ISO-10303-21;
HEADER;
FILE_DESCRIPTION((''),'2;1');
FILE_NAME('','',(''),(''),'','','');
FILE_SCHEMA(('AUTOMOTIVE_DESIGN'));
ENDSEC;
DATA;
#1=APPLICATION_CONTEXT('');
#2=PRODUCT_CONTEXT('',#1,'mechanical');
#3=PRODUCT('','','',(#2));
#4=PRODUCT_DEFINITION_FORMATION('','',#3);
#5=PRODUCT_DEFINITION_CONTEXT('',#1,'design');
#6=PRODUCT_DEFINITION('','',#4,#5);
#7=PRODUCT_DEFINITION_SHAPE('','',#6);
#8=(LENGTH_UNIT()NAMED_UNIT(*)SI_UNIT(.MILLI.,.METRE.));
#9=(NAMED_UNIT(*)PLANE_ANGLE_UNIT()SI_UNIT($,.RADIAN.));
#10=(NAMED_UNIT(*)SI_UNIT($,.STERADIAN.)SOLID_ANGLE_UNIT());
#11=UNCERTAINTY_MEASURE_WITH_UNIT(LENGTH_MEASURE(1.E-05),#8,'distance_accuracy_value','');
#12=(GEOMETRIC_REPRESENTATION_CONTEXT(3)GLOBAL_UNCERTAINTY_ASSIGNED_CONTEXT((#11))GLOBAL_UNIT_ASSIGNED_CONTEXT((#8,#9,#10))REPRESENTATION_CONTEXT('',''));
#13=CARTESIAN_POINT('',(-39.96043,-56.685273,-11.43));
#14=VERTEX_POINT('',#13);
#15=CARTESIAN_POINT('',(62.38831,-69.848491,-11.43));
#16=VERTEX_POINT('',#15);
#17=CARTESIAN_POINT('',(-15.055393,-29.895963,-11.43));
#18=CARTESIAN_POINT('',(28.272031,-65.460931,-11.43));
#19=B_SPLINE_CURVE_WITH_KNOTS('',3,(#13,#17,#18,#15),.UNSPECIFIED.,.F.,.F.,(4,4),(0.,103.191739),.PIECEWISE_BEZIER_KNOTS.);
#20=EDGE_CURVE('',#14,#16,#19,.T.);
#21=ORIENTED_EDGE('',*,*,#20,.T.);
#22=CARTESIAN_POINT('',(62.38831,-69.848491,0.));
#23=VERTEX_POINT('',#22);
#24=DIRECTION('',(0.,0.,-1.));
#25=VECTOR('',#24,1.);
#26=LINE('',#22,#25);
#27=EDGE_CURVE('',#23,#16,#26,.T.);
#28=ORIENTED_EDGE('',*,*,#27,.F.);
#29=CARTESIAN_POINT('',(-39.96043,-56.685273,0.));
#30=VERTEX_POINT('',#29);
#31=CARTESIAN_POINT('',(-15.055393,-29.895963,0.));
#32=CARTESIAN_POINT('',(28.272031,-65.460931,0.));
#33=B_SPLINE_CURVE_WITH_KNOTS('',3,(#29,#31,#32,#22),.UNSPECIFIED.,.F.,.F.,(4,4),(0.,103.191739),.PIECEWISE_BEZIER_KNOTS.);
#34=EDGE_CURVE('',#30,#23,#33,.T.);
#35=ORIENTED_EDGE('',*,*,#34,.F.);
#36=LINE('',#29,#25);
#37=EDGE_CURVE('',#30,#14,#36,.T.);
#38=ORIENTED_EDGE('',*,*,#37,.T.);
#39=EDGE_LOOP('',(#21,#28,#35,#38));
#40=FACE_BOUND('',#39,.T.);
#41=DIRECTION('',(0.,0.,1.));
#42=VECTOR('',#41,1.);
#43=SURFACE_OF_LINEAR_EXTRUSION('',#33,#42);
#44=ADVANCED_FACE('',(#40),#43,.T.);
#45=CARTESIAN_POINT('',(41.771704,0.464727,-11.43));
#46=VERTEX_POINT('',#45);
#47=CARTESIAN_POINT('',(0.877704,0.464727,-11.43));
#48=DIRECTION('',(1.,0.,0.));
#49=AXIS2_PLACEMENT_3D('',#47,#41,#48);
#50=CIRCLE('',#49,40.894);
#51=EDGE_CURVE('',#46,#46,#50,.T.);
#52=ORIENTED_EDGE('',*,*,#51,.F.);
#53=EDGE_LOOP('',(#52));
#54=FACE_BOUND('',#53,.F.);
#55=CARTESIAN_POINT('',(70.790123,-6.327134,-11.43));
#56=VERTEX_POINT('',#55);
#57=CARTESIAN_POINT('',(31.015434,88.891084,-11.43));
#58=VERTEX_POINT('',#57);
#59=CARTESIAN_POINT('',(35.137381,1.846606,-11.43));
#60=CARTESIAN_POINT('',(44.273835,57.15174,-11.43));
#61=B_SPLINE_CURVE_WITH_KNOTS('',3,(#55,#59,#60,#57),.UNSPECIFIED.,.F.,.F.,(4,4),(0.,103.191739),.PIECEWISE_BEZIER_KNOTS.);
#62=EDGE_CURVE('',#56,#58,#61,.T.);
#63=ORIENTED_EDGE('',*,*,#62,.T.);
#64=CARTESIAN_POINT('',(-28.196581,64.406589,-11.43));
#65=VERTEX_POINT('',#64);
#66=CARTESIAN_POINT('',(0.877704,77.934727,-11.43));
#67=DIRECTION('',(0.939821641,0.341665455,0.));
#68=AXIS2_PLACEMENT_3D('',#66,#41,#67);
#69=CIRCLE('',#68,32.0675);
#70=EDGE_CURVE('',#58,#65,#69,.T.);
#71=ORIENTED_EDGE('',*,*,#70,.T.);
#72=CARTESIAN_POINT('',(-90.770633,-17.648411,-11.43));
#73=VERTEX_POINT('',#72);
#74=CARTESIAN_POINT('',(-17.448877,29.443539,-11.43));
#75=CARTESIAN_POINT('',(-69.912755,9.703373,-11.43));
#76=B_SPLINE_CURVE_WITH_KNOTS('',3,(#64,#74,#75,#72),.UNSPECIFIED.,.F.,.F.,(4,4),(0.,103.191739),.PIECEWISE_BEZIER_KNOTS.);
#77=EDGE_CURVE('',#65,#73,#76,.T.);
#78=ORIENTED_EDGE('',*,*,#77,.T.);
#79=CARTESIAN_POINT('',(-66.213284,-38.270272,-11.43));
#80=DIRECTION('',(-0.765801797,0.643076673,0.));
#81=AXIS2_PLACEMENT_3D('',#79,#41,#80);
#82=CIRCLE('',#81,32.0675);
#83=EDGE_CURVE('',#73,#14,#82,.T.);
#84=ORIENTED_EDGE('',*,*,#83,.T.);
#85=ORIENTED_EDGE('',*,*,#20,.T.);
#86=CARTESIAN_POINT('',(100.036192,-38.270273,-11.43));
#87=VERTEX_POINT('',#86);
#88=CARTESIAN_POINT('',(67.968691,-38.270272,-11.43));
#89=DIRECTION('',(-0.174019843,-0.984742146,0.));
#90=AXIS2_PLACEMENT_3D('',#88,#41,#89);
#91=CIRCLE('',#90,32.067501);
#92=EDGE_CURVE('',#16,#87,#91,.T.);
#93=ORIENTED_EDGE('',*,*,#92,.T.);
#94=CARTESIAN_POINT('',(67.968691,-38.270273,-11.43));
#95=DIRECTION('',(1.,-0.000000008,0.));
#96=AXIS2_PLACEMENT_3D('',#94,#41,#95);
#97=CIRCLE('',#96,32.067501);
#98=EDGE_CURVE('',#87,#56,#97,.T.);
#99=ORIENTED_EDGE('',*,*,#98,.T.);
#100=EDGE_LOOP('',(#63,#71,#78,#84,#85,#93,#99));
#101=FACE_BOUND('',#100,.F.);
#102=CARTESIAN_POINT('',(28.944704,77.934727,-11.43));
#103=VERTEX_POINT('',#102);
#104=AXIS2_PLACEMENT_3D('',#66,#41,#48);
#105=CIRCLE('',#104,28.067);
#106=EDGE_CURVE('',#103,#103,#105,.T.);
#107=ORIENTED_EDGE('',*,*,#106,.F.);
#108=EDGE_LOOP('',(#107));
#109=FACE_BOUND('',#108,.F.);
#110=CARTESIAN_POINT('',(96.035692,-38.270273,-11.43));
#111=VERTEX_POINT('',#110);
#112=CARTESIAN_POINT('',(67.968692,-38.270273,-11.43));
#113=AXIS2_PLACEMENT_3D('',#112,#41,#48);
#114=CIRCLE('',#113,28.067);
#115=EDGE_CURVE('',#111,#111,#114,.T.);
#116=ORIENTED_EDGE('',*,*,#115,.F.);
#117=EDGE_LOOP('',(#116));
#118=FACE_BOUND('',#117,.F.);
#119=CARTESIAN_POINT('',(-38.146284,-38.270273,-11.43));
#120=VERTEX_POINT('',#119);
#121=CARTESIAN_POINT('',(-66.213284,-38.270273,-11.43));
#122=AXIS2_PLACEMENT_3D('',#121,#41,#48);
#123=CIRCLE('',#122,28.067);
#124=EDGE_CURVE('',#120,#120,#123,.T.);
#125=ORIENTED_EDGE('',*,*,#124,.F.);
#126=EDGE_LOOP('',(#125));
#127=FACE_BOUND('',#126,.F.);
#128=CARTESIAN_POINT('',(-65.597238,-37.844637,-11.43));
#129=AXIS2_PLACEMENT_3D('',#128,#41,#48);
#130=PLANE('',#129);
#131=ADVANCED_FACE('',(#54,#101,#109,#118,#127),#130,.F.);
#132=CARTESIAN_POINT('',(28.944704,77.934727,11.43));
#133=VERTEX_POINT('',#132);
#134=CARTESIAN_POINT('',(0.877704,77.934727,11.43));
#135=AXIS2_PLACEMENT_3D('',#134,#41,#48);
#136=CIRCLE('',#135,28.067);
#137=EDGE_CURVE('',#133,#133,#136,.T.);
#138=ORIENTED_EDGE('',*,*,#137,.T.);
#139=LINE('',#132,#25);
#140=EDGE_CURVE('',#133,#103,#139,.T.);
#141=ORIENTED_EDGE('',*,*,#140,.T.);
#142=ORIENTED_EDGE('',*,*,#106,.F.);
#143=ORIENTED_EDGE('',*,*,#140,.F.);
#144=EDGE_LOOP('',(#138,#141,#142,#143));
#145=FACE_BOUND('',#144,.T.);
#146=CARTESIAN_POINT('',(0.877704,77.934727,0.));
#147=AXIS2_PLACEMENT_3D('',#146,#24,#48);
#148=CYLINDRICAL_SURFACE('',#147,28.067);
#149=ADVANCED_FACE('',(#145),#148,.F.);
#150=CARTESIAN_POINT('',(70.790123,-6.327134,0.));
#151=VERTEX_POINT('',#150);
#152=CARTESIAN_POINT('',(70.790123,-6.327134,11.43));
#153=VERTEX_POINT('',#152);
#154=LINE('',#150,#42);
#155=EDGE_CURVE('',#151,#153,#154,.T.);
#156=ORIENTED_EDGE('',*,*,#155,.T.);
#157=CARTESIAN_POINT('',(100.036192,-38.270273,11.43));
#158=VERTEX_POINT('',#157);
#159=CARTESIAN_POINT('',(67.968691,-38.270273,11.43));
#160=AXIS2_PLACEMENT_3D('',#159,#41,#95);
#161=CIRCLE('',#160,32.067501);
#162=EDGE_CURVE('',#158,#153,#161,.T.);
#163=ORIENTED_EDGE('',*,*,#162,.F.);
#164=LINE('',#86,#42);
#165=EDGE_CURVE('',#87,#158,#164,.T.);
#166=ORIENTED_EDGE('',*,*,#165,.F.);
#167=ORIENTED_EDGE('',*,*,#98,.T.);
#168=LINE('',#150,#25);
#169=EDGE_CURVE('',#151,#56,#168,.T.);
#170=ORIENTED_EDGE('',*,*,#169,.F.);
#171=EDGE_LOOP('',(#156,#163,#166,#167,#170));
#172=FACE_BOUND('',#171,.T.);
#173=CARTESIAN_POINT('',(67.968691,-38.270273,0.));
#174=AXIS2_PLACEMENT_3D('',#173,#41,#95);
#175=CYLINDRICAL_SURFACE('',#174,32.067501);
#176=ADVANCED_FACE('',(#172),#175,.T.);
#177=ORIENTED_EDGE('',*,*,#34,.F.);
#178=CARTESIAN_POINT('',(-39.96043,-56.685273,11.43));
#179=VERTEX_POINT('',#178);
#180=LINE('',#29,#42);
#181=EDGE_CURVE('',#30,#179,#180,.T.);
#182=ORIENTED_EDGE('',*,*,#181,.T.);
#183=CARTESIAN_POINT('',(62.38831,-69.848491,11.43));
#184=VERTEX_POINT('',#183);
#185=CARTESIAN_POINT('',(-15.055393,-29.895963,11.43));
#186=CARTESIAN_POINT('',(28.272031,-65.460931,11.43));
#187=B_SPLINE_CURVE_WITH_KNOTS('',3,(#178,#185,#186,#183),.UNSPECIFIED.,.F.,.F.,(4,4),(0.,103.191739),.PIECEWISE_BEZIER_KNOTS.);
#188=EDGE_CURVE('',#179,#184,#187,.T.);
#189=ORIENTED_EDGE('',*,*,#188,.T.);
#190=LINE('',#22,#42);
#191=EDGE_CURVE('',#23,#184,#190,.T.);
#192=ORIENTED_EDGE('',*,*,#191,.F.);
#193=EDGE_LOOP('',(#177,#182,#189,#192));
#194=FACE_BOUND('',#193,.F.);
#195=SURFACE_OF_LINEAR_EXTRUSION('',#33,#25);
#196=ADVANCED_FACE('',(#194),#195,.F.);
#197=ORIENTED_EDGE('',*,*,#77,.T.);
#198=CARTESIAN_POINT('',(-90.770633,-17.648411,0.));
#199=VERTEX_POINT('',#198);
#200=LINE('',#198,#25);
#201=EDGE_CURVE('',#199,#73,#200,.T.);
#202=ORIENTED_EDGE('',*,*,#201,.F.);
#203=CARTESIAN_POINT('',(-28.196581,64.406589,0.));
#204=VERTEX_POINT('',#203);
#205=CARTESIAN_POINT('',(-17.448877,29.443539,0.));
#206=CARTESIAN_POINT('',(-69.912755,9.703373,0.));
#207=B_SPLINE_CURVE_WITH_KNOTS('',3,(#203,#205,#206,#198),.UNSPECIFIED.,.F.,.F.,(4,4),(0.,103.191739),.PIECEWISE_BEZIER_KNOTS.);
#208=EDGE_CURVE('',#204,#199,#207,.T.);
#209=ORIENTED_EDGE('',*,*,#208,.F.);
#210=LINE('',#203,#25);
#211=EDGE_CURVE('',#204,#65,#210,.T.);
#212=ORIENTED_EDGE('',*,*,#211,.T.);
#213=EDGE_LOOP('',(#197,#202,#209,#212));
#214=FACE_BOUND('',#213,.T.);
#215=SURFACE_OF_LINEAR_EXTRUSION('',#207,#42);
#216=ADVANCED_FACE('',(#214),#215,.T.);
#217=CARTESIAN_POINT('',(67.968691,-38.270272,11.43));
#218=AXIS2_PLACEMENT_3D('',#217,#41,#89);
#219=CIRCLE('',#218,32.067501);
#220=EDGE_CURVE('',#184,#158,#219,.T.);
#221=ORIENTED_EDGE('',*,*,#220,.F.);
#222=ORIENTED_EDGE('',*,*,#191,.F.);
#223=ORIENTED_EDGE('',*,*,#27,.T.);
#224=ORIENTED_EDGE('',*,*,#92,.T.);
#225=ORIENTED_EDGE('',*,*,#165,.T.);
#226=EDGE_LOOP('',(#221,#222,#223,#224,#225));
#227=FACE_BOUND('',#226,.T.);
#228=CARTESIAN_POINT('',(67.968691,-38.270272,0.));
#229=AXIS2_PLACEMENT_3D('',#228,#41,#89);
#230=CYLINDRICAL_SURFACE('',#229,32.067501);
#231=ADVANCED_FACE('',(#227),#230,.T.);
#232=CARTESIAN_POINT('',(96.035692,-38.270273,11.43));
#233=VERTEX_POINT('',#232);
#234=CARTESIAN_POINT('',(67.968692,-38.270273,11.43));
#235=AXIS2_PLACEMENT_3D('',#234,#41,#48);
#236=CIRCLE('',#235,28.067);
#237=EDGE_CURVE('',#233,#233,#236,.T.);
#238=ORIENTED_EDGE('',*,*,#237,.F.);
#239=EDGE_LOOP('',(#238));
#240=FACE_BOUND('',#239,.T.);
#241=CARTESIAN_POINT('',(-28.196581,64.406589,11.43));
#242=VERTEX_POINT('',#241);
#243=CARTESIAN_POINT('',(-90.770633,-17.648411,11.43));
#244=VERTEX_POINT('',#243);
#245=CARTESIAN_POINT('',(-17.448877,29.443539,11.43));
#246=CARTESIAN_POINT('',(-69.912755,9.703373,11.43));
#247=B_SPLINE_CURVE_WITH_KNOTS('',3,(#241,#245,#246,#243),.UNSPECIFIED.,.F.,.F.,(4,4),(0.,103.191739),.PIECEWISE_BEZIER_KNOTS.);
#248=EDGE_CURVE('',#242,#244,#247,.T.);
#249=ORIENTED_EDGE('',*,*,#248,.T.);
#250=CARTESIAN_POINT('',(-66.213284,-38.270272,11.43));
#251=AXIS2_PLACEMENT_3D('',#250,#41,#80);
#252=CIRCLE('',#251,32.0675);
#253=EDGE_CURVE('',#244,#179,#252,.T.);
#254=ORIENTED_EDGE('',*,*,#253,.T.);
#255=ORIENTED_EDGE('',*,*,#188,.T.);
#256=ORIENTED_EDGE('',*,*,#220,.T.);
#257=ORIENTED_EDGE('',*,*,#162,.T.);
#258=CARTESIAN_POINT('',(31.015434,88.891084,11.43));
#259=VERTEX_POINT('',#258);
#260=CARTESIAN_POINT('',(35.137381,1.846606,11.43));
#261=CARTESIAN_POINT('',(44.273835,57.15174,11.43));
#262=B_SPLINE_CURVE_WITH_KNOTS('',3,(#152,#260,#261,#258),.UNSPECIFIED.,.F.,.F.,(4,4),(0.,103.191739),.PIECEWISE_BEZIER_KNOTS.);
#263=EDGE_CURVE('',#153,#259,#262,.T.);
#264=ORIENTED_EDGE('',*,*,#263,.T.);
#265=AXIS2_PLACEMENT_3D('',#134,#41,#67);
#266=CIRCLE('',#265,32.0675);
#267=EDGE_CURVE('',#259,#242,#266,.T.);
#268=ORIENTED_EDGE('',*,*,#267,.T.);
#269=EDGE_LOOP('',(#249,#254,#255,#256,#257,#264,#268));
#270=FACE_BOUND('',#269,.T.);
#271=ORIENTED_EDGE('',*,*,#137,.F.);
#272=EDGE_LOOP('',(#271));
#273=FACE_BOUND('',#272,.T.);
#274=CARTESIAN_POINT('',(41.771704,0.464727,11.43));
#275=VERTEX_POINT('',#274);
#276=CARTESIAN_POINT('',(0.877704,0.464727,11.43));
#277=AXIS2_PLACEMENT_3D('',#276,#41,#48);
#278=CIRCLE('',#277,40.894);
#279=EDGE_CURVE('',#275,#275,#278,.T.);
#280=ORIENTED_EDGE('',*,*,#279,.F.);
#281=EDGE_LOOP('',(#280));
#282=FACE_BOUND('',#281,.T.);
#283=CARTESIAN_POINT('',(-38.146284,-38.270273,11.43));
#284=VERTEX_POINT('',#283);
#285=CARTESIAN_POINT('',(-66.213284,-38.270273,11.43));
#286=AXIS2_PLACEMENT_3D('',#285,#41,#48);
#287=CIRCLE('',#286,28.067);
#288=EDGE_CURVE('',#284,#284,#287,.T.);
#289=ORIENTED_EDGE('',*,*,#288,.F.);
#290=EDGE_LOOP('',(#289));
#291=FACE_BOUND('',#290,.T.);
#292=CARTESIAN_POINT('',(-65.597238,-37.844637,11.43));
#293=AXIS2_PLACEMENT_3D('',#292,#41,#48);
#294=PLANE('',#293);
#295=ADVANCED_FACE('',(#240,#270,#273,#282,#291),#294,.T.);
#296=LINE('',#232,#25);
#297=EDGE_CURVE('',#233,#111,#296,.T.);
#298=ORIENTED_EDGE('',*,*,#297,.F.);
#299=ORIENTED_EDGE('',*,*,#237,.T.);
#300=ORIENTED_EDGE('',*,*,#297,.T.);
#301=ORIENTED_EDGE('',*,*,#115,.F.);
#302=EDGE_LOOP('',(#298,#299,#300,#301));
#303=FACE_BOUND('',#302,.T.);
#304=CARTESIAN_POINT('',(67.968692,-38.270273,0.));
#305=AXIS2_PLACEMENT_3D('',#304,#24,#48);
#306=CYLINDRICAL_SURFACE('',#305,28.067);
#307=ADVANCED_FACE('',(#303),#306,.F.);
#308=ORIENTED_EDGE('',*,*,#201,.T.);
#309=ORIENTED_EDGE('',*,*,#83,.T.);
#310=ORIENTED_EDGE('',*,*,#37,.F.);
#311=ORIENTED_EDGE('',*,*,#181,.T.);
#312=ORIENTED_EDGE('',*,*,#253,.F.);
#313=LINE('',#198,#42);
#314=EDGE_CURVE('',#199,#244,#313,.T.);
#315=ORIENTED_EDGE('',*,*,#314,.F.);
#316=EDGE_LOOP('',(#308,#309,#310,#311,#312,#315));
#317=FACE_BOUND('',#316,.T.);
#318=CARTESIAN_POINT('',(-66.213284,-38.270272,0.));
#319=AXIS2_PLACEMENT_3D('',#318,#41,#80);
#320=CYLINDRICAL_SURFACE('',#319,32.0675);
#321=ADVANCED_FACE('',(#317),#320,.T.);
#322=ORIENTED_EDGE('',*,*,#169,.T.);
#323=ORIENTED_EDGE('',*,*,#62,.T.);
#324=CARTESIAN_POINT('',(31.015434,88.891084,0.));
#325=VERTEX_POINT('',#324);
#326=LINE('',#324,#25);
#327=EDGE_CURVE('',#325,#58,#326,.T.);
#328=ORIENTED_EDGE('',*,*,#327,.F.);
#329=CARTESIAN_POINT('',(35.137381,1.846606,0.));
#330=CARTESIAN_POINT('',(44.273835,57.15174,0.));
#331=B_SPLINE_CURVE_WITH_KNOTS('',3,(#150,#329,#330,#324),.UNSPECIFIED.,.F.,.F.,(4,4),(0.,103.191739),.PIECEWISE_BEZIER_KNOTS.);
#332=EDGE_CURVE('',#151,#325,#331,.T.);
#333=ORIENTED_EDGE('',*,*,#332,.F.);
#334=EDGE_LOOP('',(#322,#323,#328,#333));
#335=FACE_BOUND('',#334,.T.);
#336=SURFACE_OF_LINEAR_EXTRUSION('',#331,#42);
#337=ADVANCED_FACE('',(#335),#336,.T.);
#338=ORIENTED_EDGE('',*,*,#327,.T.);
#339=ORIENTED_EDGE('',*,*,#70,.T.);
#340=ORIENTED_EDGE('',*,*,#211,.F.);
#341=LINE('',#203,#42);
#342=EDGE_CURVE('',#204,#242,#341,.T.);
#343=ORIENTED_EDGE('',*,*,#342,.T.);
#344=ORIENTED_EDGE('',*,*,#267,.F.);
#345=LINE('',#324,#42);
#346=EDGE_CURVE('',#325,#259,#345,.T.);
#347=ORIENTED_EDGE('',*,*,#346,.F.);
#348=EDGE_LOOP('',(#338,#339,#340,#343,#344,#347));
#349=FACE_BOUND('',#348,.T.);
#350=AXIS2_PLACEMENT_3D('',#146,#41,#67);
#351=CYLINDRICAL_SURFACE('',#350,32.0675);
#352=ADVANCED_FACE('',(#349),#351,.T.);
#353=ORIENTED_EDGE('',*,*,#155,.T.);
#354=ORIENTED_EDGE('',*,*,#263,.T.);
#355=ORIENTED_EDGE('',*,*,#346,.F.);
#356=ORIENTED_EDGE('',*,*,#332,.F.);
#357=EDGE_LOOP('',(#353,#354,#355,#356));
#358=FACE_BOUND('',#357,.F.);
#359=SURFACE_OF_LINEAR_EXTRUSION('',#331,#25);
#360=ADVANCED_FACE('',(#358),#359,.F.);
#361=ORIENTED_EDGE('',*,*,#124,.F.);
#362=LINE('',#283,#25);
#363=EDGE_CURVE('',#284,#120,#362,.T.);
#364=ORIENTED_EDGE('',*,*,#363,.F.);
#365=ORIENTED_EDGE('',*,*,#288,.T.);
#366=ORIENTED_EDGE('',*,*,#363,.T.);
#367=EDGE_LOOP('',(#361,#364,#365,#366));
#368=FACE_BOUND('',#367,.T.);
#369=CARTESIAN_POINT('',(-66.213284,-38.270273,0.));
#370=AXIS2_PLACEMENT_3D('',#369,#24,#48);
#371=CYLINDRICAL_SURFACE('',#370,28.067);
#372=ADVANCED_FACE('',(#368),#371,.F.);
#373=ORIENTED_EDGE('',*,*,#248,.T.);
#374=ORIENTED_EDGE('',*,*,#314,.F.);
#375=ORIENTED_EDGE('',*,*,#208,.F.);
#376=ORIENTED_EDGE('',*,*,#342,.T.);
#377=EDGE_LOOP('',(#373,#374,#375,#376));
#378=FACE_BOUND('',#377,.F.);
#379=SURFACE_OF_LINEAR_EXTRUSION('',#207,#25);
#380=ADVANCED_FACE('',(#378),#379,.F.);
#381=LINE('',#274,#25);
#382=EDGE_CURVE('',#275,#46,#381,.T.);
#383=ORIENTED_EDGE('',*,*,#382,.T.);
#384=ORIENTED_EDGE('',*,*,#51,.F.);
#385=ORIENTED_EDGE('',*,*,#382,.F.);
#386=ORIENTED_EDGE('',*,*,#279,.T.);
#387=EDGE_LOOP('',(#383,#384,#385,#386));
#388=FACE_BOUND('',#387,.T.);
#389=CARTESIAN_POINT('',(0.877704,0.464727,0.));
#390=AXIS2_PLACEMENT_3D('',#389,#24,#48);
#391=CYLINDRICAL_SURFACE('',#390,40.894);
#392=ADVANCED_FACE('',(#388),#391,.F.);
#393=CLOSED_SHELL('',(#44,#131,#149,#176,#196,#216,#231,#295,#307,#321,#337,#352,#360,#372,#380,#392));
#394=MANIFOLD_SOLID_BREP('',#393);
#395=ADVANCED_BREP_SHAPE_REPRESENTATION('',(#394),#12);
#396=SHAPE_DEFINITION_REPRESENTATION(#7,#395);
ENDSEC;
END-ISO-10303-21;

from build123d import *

# Parameters (mm, degrees)
F0_R     = 28.067
F0_R_2   = 40.894
F1_DEPTH = 11.43


with BuildPart() as f1:
    # F0 (on Top) → F1 (new body, symmetric)
    with BuildSketch(Plane.XY):
        with BuildLine():
            ThreePointArc((-39.96043, -56.685273), (-35.633978, -47.925871), (-34.145784, -38.270273))
            ThreePointArc((-34.145784, -38.270273), (-55.239867, -8.13875), (-90.770633, -17.648411))
            ThreePointArc((-90.770633, -17.648411), (-85.750117, -63.699325), (-39.96043, -56.685273))
        make_face()
        with Locations((-66.213284, -38.270273)):
            Circle(F0_R, mode=Mode.SUBTRACT)
        with BuildLine():
            ThreePointArc((-90.770633, -17.648411), (-55.239867, -8.13875), (-34.145784, -38.270273))
            ThreePointArc((-34.145784, -38.270273), (-35.633978, -47.925871), (-39.96043, -56.685273))
            add(Edge.make_bspline(
                [(-39.96043, -56.685273), (-15.055393, -29.895963), (28.272031, -65.460931), (62.38831, -69.848491)],
                knots=[0, 0, 0, 0, 103.191739, 103.191739, 103.191739, 103.191739], degree=3))
            ThreePointArc((62.38831, -69.848491), (36.17807, -34.065405), (70.790123, -6.327134))
            add(Edge.make_bspline(
                [(70.790123, -6.327134), (35.137381, 1.846606), (44.273835, 57.15174), (31.015434, 88.891084)],
                knots=[0, 0, 0, 0, 103.191739, 103.191739, 103.191739, 103.191739], degree=3))
            ThreePointArc((31.015434, 88.891084), (32.459077, 83.49723), (32.945204, 77.934727))
            ThreePointArc((32.945204, 77.934727), (7.805363, 46.624472), (-28.196581, 64.406589))
            add(Edge.make_bspline(
                [(-28.196581, 64.406589), (-17.448877, 29.443539), (-69.912755, 9.703373), (-90.770633, -17.648411)],
                knots=[0, 0, 0, 0, 103.191739, 103.191739, 103.191739, 103.191739], degree=3))
        make_face()
        with Locations((0.877704, 0.464727)):
            Circle(F0_R_2, mode=Mode.SUBTRACT)
        with BuildLine():
            ThreePointArc((31.015434, 88.891084), (-11.376085, 107.568647), (-28.196581, 64.406589))
            ThreePointArc((-28.196581, 64.406589), (7.805363, 46.624472), (32.945204, 77.934727))
            ThreePointArc((32.945204, 77.934727), (32.459077, 83.49723), (31.015434, 88.891084))
        make_face()
        with Locations((0.877704, 77.934727)):
            Circle(F0_R, mode=Mode.SUBTRACT)
        with BuildLine():
            ThreePointArc((70.790123, -6.327134), (36.17807, -34.065405), (62.38831, -69.848491))
            ThreePointArc((62.38831, -69.848491), (88.576647, -62.839292), (100.036192, -38.270273))
            ThreePointArc((100.036192, -38.270273), (91.620339, -16.615616), (70.790123, -6.327134))
        make_face()
        with Locations((67.968692, -38.270273)):
            Circle(F0_R, mode=Mode.SUBTRACT)
    extrude(amount=F1_DEPTH, both=True)


solid = f1.part
